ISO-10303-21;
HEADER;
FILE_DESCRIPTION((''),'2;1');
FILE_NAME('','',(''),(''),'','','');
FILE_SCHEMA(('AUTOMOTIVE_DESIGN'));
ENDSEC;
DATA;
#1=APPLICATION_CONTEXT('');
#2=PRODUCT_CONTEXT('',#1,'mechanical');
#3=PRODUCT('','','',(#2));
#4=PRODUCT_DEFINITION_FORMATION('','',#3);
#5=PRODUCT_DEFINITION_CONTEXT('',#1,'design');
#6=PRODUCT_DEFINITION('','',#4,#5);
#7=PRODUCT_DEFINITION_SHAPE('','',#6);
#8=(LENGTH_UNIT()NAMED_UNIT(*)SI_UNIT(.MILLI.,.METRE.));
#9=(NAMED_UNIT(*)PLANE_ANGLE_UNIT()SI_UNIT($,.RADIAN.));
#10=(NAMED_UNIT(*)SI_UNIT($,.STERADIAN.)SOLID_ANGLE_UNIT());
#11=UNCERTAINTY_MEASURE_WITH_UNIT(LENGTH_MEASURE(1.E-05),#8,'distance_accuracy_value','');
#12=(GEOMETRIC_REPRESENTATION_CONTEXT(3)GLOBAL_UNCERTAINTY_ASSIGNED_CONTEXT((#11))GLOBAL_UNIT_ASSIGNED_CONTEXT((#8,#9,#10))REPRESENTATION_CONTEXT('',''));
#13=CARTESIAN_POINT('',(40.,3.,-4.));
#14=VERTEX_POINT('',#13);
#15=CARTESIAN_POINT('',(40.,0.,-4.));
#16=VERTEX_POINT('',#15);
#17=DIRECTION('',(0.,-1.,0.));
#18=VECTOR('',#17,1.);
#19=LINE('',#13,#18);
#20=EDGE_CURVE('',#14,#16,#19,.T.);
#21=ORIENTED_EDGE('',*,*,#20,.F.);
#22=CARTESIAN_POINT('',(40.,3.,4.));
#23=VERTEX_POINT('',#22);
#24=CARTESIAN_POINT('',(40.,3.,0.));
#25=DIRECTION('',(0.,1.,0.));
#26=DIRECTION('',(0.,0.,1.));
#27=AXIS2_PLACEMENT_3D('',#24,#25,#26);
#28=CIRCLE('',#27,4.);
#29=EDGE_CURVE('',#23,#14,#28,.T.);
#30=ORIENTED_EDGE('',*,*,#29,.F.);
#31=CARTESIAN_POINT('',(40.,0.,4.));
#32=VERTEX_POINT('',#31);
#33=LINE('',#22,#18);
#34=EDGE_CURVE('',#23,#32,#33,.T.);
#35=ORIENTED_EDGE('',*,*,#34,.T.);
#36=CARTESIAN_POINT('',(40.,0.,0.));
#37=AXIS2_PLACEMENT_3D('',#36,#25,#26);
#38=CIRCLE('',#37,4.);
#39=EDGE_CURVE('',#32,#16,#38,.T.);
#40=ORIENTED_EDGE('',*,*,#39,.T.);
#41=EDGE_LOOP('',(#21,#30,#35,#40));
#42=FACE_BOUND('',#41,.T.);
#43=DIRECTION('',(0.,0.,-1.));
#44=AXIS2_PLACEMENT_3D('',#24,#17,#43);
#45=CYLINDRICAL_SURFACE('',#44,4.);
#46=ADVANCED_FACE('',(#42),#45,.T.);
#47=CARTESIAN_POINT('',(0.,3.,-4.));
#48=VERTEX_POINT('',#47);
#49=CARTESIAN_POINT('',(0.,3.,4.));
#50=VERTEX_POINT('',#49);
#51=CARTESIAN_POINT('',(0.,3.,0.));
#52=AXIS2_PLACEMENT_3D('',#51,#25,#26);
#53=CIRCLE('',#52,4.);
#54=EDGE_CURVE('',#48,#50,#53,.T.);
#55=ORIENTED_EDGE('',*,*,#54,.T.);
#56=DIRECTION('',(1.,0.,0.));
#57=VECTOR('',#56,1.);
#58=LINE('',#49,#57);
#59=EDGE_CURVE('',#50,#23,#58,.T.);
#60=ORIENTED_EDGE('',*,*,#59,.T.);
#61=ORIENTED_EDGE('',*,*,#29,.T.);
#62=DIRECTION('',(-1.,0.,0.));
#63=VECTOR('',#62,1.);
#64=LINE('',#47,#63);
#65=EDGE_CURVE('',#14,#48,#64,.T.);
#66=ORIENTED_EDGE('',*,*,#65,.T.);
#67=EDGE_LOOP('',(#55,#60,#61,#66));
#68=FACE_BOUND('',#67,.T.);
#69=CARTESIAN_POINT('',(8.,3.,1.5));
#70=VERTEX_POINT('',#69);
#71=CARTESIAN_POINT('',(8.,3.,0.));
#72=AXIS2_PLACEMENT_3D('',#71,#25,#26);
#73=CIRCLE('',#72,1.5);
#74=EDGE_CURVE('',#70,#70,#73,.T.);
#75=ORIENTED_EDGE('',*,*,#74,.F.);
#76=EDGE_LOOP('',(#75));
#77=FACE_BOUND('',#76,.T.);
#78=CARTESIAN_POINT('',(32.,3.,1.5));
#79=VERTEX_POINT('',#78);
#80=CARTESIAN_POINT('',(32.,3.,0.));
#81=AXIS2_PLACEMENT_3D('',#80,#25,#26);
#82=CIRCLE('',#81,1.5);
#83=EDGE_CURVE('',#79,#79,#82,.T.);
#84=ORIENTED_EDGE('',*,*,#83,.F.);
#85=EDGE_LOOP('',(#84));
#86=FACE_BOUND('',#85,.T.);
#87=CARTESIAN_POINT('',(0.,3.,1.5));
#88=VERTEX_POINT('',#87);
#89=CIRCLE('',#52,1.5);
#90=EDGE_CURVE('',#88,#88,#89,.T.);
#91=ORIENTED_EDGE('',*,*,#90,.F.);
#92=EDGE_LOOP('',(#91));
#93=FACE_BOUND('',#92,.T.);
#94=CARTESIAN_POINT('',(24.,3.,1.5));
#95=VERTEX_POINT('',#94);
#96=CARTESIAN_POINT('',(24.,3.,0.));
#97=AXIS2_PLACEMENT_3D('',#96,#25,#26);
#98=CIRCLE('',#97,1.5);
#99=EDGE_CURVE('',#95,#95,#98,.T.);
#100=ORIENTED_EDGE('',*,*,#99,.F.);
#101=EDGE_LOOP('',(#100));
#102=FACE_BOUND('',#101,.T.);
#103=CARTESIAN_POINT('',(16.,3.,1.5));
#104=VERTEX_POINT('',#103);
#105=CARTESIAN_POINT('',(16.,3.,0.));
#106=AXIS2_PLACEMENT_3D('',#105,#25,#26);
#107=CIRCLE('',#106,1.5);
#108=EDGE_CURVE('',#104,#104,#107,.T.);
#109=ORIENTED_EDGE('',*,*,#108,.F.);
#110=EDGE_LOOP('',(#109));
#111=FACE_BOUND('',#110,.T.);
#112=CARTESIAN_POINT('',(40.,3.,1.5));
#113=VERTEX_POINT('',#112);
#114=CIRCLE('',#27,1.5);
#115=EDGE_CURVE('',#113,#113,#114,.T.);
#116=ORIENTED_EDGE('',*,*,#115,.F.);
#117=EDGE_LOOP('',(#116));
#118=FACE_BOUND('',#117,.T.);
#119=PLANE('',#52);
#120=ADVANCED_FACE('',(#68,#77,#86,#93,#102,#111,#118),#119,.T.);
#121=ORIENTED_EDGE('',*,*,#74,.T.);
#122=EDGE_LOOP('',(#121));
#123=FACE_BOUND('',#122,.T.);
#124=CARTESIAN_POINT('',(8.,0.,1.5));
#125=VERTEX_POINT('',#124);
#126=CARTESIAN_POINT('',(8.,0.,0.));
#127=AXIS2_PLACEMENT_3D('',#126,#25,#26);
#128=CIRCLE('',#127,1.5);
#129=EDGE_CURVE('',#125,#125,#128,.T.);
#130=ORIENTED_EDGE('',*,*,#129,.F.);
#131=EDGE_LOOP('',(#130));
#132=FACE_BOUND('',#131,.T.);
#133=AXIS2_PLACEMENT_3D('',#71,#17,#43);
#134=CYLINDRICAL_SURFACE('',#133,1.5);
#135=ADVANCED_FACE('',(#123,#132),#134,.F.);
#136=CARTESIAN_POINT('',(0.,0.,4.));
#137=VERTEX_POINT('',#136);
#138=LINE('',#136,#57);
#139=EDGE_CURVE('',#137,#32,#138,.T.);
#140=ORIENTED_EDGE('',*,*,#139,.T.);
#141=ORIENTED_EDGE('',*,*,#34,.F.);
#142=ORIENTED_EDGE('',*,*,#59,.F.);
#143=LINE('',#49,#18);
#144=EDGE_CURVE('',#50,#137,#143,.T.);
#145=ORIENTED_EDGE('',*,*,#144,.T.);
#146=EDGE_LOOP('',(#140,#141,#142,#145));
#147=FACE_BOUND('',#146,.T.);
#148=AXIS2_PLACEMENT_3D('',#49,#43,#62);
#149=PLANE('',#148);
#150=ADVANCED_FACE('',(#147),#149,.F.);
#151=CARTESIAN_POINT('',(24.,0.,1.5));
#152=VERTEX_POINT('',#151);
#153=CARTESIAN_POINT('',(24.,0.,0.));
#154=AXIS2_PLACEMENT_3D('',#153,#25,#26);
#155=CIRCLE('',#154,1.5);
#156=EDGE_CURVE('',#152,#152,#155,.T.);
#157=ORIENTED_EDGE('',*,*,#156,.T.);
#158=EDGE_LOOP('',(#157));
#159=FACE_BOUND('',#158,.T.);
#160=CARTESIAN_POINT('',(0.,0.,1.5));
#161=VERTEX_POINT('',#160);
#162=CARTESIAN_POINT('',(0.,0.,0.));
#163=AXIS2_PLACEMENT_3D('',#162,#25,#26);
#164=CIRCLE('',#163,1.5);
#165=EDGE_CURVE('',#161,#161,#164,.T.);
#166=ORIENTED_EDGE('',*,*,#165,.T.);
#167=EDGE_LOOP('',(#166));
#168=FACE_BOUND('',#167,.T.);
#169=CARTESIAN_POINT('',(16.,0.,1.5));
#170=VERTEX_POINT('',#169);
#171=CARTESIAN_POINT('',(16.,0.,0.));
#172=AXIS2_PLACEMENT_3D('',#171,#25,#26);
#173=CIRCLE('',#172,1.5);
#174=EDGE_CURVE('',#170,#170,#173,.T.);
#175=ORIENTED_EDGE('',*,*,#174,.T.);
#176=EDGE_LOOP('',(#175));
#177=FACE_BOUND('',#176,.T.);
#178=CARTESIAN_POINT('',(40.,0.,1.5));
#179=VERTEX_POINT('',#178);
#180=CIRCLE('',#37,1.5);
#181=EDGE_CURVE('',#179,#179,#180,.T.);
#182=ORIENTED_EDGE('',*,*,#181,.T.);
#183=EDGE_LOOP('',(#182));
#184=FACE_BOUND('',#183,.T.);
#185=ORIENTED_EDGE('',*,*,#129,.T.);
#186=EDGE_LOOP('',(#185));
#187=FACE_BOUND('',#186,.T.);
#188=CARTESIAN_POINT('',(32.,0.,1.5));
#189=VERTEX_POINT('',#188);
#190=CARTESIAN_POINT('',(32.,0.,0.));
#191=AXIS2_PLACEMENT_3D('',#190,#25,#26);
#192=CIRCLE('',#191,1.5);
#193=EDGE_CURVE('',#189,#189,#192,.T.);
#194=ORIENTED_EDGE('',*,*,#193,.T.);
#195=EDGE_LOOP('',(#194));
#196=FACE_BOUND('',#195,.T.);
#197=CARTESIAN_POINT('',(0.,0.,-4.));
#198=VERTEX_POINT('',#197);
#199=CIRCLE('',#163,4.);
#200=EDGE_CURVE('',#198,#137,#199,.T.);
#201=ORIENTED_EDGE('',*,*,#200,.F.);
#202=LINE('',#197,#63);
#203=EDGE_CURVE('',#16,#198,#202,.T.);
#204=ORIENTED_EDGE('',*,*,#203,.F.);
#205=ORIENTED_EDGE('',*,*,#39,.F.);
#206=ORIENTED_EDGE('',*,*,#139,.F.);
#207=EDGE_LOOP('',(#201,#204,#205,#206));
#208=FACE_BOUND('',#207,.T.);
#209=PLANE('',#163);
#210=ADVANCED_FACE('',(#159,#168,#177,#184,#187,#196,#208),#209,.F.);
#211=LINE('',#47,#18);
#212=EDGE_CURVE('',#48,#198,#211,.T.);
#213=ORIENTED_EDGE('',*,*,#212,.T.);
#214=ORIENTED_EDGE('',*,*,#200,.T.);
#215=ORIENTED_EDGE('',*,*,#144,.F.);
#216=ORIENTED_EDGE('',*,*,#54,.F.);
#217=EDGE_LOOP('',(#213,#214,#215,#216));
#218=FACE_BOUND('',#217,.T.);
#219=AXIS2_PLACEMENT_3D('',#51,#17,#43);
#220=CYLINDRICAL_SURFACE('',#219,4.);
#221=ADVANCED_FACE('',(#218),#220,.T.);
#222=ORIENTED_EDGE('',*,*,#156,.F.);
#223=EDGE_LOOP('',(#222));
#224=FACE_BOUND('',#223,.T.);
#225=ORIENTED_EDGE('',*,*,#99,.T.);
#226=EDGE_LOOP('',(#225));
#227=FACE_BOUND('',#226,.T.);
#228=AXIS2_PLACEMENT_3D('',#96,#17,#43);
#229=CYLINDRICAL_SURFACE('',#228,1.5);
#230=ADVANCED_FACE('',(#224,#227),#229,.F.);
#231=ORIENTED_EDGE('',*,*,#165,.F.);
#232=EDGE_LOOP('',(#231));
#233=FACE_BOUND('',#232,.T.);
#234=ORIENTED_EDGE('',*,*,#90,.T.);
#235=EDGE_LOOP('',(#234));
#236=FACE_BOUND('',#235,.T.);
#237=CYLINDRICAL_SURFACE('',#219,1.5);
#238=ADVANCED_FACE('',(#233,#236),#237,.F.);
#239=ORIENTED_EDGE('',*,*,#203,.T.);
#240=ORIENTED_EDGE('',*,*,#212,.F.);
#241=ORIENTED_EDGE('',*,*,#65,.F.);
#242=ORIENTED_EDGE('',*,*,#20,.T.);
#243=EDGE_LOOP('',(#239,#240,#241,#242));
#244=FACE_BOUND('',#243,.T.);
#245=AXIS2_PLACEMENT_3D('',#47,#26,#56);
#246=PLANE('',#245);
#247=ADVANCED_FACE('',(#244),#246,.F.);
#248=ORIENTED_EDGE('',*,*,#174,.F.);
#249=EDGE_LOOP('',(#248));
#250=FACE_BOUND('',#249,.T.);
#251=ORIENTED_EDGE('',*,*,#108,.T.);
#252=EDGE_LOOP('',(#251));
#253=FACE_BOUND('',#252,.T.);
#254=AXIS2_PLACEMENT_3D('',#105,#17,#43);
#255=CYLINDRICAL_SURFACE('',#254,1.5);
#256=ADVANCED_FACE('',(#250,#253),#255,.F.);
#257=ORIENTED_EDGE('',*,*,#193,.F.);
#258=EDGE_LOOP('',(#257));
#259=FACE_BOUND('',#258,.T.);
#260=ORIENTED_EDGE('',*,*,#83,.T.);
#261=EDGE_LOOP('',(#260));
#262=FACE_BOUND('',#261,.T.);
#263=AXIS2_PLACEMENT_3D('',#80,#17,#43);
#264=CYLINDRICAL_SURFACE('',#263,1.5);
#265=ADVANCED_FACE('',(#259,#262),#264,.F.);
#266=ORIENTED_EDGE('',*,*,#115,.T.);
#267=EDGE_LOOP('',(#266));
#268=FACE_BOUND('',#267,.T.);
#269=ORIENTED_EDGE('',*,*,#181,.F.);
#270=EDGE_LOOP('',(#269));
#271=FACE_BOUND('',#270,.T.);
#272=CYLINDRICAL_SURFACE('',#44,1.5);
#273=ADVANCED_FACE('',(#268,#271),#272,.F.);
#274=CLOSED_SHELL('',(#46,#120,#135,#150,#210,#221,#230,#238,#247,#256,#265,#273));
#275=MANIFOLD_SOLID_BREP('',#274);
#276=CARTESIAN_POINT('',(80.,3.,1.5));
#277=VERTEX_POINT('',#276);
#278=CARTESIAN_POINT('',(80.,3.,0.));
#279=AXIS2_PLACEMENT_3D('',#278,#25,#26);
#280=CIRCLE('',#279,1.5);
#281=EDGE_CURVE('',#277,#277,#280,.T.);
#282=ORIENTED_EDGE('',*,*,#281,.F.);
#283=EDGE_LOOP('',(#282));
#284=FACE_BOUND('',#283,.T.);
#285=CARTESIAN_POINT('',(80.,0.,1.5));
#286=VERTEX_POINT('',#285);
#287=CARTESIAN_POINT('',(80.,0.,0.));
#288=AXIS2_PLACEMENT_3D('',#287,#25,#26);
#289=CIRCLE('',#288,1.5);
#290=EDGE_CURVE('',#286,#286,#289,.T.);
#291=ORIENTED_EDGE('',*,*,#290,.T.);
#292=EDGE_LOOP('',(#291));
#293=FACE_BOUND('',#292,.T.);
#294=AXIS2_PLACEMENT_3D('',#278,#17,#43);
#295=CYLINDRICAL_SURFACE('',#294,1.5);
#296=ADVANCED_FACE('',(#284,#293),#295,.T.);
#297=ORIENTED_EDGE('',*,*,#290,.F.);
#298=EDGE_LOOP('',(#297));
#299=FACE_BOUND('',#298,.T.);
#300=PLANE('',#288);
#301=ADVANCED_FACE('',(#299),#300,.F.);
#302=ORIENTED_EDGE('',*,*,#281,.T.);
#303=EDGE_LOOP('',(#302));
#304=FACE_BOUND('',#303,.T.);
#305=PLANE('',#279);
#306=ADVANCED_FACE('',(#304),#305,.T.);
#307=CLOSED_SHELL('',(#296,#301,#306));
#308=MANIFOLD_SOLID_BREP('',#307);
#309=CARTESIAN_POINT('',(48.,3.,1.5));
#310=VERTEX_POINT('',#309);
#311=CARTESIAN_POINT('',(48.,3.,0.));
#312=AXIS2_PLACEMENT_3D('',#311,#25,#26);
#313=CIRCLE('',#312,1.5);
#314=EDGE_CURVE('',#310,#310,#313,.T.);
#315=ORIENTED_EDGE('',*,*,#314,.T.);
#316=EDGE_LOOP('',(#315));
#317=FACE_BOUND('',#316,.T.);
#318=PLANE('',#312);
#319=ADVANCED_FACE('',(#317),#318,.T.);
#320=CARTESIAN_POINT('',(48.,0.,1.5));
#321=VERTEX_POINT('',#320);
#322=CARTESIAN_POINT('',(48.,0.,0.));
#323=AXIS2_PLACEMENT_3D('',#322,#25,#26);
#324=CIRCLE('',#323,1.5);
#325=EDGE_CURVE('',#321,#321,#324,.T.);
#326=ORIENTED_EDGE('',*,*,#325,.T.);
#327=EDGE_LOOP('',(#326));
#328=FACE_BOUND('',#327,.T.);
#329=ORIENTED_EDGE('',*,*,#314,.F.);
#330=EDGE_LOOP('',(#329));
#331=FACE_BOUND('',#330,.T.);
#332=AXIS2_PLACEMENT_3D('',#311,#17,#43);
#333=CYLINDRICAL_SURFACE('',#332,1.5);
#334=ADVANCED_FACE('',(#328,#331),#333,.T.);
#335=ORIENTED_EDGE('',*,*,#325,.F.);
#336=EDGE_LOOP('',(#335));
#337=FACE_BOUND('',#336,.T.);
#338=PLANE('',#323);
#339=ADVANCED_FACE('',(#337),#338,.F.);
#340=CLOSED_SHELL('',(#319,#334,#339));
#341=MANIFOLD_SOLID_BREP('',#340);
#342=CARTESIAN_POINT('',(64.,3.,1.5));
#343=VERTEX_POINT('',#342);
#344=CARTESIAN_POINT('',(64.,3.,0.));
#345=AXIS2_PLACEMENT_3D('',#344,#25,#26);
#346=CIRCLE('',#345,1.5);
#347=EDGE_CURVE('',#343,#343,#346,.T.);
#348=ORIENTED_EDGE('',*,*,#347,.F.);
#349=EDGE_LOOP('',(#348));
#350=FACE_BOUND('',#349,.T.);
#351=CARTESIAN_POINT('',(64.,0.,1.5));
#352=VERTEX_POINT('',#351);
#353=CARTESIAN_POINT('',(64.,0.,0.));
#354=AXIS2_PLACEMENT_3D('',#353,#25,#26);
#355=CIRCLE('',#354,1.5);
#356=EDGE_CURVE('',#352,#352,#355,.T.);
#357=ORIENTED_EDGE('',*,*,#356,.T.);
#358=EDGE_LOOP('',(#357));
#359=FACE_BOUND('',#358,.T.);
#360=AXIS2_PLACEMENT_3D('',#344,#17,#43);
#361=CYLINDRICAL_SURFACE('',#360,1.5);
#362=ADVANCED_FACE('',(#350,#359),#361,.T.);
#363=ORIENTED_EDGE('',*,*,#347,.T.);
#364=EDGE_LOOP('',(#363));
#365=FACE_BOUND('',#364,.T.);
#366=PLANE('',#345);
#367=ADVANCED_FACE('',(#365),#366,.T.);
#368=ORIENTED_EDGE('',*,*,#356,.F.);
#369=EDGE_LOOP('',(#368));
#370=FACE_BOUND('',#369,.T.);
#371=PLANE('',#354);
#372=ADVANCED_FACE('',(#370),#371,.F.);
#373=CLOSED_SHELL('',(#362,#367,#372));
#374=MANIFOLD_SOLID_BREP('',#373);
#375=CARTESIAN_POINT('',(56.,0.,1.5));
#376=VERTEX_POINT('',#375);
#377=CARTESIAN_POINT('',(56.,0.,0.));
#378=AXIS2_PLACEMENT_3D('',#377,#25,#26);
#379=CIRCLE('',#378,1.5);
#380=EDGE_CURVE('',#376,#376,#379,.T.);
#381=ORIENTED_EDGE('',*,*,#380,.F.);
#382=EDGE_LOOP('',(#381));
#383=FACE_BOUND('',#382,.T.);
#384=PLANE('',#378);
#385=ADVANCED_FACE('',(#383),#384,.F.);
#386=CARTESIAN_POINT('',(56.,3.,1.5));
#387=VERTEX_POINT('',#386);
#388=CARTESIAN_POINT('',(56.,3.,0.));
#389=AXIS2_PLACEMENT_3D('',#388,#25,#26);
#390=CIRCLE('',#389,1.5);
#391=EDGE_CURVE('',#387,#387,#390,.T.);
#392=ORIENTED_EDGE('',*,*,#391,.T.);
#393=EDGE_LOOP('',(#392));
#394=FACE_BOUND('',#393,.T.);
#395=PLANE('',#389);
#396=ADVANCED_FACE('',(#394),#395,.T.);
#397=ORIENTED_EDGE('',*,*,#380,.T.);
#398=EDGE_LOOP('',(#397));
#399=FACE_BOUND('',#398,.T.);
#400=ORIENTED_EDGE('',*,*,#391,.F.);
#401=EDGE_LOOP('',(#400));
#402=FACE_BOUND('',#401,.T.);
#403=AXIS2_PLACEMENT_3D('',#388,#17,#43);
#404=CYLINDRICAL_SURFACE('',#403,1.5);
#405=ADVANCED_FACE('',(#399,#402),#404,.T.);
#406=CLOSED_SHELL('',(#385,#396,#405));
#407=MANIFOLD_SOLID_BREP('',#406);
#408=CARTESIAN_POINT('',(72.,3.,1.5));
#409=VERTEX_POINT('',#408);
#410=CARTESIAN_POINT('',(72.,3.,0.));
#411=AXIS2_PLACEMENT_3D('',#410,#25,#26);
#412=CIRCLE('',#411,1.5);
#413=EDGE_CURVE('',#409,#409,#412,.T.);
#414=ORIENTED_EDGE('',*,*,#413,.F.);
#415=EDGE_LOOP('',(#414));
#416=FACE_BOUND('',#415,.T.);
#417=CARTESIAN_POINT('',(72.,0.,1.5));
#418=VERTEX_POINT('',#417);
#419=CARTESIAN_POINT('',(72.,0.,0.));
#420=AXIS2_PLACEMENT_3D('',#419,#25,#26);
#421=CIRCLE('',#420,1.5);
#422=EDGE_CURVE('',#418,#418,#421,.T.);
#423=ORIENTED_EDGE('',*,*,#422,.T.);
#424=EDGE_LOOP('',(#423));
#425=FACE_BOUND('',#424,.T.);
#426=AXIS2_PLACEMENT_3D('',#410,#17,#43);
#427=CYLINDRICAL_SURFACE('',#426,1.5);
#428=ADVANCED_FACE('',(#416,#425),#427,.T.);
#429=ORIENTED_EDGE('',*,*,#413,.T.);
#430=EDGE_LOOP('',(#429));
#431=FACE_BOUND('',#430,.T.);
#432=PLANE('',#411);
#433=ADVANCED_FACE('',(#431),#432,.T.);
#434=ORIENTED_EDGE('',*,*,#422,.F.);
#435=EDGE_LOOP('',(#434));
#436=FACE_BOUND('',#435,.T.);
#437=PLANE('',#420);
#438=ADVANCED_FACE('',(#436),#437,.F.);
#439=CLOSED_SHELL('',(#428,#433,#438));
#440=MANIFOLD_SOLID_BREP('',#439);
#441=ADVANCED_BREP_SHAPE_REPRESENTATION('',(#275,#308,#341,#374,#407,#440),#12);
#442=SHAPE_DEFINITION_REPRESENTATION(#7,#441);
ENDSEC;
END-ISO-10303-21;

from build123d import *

# Parameters (mm, degrees)
SKETCH2_R             = 1.5
BOSS_EXTRUDE2_DEPTH   = 3
BOSS_EXTRUDE2_2_DEPTH = 3
BOSS_EXTRUDE2_3_DEPTH = 3
BOSS_EXTRUDE2_4_DEPTH = 3
BOSS_EXTRUDE2_5_DEPTH = 3
BOSS_EXTRUDE2_6_DEPTH = 3


with BuildPart() as part:
    # Sketch2 → Boss-Extrude2 (new body)
    with BuildSketch(Plane(origin=(0, 0, 0), x_dir=(1, 0, 0), z_dir=(0, 1, 0))):
        with Locations(Location((48, 0, 0), (0, 0, 270))):
            Circle(SKETCH2_R)
    extrude(amount=BOSS_EXTRUDE2_DEPTH)


with BuildPart() as body_2:
    # Sketch2 → Boss-Extrude2 2 (new body)
    with BuildSketch(Plane(origin=(0, 0, 0), x_dir=(1, 0, 0), z_dir=(0, 1, 0))):
        with Locations(Location((56, 0, 0), (0, 0, 270))):
            Circle(SKETCH2_R)
    extrude(amount=BOSS_EXTRUDE2_2_DEPTH)


with BuildPart() as body_3:
    # Sketch2 → Boss-Extrude2 3 (new body)
    with BuildSketch(Plane(origin=(0, 0, 0), x_dir=(1, 0, 0), z_dir=(0, 1, 0))):
        with Locations(Location((64, 0, 0), (0, 0, 270))):
            Circle(SKETCH2_R)
    extrude(amount=BOSS_EXTRUDE2_3_DEPTH)


with BuildPart() as body_4:
    # Sketch2 → Boss-Extrude2 4 (new body)
    with BuildSketch(Plane(origin=(0, 0, 0), x_dir=(1, 0, 0), z_dir=(0, 1, 0))):
        with Locations(Location((72, 0, 0), (0, 0, 270))):
            Circle(SKETCH2_R)
    extrude(amount=BOSS_EXTRUDE2_4_DEPTH)


with BuildPart() as body_5:
    # Sketch2 → Boss-Extrude2 5 (new body)
    with BuildSketch(Plane(origin=(0, 0, 0), x_dir=(1, 0, 0), z_dir=(0, 1, 0))):
        with Locations(Location((80, 0, 0), (0, 0, 270))):
            Circle(SKETCH2_R)
    extrude(amount=BOSS_EXTRUDE2_5_DEPTH)


with BuildPart() as body_6:
    # Sketch2 → Boss-Extrude2 6 (new body)
    with BuildSketch(Plane(origin=(0, 0, 0), x_dir=(1, 0, 0), z_dir=(0, 1, 0))):
        with BuildLine():
            Line((0, 4), (40, 4))
            ThreePointArc((40, 4), (44, 0), (40, -4))
            Line((40, -4), (0, -4))
            ThreePointArc((0, -4), (-4, 0), (0, 4))
        make_face()
        with Locations(Location((0, 0, 0), (0, 0, 270))):
            Circle(SKETCH2_R, mode=Mode.SUBTRACT)
        with Locations(Location((8, 0, 0), (0, 0, 270))):
            Circle(SKETCH2_R, mode=Mode.SUBTRACT)
        with Locations(Location((16, 0, 0), (0, 0, 270))):
            Circle(SKETCH2_R, mode=Mode.SUBTRACT)
        with Locations(Location((24, 0, 0), (0, 0, 270))):
            Circle(SKETCH2_R, mode=Mode.SUBTRACT)
        with Locations(Location((32, 0, 0), (0, 0, 270))):
            Circle(SKETCH2_R, mode=Mode.SUBTRACT)
        with Locations(Location((40, 0, 0), (0, 0, 270))):
            Circle(SKETCH2_R, mode=Mode.SUBTRACT)
    extrude(amount=BOSS_EXTRUDE2_6_DEPTH)


solid = Compound([part.part, body_2.part, body_3.part, body_4.part, body_5.part, body_6.part])
